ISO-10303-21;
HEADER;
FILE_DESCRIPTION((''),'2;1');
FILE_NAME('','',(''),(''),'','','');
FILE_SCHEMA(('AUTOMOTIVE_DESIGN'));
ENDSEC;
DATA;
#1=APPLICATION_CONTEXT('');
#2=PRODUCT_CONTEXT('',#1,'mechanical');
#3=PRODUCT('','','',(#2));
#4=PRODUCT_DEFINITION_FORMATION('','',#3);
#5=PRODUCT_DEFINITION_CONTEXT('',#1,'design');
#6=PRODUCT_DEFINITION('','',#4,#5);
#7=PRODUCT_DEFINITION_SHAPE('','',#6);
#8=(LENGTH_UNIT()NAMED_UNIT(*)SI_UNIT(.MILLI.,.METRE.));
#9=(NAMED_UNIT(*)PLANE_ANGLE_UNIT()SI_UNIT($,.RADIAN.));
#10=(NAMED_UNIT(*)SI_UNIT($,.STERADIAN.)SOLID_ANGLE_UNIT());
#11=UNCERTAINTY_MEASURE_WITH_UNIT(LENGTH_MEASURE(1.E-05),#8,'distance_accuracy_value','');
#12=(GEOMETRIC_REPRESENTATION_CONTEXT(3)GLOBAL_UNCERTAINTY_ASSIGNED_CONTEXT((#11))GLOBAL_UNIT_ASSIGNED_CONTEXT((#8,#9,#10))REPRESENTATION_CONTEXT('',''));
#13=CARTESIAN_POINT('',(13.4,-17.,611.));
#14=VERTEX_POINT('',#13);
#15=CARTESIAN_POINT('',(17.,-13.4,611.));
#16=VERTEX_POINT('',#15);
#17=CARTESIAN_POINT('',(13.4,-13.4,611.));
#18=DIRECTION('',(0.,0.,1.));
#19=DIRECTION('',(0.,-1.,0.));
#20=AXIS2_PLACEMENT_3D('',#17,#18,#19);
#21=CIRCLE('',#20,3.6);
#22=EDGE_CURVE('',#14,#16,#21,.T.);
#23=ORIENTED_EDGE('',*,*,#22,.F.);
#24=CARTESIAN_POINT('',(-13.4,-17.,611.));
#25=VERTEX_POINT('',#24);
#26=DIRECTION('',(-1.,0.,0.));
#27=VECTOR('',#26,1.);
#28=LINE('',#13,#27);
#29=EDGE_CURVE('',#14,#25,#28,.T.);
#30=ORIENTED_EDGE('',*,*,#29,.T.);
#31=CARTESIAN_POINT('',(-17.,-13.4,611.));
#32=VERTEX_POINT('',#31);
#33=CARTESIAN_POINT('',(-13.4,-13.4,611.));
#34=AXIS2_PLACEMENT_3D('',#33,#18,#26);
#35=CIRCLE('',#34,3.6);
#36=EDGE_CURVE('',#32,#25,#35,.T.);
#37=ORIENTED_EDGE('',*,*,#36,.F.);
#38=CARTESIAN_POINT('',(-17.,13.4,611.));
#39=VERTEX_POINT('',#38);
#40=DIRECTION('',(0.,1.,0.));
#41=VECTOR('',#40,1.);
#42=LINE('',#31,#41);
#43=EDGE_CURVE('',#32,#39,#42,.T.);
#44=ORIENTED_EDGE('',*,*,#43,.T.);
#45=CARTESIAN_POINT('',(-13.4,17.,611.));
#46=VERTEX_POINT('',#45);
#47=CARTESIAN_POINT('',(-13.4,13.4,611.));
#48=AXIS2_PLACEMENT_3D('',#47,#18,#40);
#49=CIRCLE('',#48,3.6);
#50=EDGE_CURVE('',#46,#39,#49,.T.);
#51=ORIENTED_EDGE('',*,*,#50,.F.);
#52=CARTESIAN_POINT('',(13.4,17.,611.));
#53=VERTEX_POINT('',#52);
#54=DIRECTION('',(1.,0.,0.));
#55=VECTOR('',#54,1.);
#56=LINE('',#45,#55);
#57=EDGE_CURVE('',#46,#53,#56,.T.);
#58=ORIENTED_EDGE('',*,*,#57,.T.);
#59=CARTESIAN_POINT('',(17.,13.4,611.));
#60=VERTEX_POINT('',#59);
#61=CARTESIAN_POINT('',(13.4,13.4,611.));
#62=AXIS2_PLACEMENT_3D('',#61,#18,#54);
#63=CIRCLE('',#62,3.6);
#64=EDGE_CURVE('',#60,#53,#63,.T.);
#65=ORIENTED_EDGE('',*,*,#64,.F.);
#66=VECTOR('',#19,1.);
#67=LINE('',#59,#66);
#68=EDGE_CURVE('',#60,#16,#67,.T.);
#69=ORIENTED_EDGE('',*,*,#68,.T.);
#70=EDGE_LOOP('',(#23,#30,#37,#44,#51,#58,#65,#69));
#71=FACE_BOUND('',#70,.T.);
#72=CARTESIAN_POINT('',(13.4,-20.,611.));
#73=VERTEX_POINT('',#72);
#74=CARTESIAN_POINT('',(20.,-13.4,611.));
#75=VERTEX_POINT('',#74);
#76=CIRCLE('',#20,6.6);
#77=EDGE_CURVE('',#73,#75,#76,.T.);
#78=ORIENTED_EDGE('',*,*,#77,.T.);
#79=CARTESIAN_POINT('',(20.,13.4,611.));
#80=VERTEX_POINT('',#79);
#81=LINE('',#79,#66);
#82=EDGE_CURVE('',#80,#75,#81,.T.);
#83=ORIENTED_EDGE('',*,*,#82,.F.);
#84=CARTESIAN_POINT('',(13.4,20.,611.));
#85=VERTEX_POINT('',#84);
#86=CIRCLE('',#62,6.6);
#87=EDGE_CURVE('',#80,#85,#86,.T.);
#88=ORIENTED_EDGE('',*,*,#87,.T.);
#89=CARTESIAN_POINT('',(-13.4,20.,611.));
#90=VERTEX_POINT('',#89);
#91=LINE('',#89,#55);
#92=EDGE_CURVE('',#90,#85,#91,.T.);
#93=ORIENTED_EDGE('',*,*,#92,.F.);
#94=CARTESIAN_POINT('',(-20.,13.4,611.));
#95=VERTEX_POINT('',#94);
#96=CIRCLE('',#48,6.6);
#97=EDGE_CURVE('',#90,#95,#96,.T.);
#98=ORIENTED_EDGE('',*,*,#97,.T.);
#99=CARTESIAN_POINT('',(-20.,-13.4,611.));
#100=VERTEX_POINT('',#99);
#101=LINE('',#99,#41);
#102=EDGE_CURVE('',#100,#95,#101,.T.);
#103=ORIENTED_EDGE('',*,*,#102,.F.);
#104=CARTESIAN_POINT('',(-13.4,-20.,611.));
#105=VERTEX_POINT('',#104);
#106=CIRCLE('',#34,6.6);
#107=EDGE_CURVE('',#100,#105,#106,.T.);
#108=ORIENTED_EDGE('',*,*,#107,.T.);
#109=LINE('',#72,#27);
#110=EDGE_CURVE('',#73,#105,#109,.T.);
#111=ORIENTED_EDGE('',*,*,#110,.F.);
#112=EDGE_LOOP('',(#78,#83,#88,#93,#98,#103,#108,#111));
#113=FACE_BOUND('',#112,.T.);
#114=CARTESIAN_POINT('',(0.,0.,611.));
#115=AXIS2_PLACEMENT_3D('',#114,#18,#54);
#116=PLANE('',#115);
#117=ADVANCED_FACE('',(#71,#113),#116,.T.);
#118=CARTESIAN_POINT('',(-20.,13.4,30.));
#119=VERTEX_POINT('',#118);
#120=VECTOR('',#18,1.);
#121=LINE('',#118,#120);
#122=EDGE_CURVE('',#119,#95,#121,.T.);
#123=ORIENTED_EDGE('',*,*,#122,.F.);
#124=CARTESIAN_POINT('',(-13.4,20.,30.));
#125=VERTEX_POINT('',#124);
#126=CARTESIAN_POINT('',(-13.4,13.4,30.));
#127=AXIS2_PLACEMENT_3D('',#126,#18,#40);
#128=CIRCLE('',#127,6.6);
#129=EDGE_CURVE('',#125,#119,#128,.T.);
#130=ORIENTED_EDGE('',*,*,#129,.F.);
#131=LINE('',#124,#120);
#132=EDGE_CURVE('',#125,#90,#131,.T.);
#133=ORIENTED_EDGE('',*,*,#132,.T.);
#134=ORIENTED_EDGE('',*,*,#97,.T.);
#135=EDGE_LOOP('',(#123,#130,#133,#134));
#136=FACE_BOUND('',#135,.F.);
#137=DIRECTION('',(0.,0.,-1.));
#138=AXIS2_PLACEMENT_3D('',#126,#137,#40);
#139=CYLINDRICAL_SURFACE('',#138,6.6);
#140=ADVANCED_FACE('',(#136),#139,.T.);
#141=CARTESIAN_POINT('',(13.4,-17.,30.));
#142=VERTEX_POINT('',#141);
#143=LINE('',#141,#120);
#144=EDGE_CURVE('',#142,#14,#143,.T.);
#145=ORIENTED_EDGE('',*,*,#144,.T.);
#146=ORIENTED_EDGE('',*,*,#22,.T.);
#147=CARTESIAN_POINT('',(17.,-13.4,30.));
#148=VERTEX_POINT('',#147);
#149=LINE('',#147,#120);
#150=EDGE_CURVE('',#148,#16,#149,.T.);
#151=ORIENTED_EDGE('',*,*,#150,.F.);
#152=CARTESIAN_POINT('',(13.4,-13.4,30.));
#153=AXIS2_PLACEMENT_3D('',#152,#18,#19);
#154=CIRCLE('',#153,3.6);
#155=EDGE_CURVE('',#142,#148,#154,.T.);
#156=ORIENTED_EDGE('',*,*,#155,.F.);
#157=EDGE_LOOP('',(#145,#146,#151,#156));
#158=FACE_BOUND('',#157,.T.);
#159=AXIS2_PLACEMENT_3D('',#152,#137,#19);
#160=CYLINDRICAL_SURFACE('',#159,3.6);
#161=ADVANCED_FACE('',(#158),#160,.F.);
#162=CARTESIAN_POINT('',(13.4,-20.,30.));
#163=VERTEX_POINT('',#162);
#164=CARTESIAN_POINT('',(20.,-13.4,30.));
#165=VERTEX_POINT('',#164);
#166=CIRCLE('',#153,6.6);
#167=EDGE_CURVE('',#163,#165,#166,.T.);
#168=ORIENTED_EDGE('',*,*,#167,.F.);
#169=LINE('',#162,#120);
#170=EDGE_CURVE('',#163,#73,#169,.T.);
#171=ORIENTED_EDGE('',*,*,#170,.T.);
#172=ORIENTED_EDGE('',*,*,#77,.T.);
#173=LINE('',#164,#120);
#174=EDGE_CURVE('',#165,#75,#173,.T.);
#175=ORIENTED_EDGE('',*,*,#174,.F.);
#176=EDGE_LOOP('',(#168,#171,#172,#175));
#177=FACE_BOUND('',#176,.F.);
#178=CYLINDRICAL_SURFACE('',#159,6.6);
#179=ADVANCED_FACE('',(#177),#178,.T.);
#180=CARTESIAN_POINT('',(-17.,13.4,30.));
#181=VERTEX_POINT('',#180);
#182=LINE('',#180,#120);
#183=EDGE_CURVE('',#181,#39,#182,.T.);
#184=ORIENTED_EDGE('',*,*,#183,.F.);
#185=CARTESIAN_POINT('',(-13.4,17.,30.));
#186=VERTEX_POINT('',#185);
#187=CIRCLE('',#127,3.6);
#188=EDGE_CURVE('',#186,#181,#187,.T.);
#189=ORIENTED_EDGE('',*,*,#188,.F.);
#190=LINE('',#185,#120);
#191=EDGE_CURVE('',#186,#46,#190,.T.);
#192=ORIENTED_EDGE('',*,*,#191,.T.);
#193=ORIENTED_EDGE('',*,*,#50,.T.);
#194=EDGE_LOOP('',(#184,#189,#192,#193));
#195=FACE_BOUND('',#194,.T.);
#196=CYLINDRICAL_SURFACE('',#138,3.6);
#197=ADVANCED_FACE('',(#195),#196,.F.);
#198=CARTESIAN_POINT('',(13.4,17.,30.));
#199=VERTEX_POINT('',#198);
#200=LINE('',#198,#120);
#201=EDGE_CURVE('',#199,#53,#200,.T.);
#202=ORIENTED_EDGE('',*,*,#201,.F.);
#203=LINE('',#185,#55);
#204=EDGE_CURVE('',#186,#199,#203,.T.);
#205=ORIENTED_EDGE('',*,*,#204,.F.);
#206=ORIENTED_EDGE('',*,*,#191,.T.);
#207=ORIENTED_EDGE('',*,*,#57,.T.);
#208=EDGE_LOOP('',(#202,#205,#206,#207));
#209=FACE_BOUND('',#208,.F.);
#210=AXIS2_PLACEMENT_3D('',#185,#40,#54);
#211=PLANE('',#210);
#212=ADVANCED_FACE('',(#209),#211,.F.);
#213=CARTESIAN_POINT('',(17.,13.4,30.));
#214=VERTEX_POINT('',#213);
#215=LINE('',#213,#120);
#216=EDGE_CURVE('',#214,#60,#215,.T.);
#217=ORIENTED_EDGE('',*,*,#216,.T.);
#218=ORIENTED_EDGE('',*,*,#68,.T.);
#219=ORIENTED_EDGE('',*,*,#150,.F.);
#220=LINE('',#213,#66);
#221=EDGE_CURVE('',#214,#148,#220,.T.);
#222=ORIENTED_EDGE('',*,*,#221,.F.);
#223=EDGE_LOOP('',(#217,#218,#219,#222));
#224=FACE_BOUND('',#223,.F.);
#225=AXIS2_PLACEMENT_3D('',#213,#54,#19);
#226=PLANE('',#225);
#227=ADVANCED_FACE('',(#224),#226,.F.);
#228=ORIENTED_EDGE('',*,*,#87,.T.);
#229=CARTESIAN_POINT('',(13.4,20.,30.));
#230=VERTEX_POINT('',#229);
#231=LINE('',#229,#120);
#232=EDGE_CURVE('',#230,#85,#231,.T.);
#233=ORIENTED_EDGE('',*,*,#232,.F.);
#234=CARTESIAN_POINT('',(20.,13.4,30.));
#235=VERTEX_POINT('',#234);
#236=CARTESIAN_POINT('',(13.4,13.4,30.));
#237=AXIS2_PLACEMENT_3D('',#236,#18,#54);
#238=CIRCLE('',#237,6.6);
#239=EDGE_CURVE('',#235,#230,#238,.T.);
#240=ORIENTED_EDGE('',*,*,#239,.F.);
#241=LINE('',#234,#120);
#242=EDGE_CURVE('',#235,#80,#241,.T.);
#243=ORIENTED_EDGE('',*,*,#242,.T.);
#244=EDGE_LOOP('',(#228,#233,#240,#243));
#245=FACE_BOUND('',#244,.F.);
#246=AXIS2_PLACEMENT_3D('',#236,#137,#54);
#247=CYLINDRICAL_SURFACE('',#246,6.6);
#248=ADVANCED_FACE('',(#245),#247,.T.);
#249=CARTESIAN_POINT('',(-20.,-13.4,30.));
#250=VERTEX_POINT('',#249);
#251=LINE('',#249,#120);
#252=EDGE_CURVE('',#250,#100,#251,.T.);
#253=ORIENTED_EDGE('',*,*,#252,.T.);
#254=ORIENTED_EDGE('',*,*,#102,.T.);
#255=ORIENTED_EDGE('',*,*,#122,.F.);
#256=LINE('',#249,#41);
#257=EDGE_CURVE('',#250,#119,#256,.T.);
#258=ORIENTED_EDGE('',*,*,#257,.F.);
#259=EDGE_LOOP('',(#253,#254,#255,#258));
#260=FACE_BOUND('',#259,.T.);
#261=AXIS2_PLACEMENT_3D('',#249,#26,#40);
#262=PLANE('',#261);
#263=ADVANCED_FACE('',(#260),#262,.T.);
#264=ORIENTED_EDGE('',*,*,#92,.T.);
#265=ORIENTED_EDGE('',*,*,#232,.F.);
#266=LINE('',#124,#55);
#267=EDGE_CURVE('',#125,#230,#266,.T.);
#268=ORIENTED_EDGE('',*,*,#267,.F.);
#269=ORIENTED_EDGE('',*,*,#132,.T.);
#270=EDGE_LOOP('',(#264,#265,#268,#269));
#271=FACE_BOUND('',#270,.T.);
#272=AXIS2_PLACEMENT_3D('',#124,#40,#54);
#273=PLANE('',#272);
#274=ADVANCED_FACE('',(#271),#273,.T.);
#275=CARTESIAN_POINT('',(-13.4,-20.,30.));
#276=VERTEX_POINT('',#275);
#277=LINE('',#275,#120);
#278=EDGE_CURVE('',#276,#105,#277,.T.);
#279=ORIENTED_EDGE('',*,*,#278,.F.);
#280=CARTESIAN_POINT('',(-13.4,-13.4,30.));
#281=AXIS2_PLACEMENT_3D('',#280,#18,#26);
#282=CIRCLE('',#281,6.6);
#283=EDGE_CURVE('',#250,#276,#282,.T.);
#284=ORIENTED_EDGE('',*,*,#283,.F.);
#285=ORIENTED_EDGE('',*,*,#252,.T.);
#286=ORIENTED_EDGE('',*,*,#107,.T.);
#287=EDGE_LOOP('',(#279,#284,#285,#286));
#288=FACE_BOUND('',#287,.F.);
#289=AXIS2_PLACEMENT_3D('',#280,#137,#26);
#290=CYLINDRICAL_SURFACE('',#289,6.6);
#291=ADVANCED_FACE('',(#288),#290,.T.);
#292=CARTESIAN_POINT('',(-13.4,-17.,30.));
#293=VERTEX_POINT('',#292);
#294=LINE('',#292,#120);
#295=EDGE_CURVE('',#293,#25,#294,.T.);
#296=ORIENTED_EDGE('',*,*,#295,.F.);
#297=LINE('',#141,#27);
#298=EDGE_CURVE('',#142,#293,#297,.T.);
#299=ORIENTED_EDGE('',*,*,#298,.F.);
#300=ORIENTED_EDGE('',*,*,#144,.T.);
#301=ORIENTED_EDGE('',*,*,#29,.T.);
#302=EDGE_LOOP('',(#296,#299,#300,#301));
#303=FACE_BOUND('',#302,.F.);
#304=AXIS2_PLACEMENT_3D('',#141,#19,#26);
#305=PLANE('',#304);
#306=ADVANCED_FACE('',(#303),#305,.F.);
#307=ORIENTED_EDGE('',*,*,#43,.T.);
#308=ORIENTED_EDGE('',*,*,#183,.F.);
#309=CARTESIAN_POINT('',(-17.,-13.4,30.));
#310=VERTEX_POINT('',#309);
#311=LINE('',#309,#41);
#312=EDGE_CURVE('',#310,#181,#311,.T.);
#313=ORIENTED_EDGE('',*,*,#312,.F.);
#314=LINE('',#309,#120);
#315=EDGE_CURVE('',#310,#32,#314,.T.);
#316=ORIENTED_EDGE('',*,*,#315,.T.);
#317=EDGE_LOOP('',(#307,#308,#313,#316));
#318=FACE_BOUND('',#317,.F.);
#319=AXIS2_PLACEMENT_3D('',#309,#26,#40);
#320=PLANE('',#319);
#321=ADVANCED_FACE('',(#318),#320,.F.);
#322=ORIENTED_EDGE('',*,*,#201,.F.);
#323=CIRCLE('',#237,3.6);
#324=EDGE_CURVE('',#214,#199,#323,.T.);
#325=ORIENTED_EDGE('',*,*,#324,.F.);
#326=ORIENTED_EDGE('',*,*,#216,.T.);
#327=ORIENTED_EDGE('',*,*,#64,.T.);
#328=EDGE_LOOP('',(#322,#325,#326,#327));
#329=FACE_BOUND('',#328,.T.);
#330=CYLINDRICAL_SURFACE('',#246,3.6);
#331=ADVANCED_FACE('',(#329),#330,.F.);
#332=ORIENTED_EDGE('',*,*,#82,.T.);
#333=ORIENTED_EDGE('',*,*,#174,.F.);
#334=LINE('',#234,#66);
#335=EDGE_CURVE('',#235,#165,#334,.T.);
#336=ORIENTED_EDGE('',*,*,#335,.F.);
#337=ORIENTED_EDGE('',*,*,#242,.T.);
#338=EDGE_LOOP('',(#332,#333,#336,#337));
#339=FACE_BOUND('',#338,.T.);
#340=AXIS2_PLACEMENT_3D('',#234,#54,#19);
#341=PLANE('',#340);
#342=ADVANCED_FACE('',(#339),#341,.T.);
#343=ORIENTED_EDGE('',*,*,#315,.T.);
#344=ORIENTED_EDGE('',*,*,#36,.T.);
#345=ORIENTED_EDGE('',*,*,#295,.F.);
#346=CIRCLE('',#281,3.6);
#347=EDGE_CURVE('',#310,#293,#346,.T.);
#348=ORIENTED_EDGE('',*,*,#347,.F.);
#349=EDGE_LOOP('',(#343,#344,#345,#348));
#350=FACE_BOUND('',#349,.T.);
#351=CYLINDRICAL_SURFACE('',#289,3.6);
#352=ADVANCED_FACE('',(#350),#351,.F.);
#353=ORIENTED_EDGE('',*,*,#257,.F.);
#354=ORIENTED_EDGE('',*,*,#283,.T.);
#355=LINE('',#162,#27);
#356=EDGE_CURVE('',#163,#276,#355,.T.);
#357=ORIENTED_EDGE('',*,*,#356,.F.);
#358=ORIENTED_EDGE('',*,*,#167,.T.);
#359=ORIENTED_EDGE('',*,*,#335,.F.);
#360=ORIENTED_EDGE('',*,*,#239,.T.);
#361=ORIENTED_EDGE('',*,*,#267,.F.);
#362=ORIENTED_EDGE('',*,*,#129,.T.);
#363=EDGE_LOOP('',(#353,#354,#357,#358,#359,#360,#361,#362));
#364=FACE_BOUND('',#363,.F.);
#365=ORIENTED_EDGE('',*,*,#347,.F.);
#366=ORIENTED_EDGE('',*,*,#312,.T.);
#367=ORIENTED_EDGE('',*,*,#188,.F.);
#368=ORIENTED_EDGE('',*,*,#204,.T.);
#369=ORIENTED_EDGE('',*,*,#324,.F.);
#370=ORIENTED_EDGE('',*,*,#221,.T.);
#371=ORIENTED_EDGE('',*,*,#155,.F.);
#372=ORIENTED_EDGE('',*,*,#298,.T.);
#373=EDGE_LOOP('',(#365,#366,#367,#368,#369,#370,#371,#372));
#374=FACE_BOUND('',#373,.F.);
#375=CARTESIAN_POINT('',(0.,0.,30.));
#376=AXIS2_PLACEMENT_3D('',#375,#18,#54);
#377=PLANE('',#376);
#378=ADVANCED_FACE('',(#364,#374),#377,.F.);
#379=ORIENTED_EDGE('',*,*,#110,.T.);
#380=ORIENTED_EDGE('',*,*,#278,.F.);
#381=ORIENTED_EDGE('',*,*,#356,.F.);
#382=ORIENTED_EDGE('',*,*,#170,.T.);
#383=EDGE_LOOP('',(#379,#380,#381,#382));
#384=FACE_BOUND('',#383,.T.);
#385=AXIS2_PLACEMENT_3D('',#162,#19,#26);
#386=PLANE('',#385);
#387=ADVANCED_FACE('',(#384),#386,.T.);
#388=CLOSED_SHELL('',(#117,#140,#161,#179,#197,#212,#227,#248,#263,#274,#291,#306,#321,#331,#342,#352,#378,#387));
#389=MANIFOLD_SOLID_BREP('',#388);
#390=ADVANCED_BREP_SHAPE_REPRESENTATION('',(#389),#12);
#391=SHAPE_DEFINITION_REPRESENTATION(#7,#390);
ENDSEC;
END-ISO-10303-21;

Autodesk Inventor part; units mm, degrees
ref_plane "Start plane" through (0, 0, 30) normal (0, 0, 1) x (1, 0, 0)
ref_plane "End plane" through (0, 0, 611) normal (0, 0, 1) x (1, 0, 0)
sketch "Sketch" plane through (0, 0, 0) normal (0, 0, 1) x (1, 0, 0)
  line L0 (-20, -13.4) -> (-20, 13.4)
  line L1 (-13.4, 20) -> (13.4, 20)
  line L2 (20, 13.4) -> (20, -13.4)
  line L3 (13.4, -20) -> (-13.4, -20)
  arc A0 (-20, -13.4) -> (-13.4, -20) centre (-13.4, -13.4) ccw
  arc A1 (-13.4, 20) -> (-20, 13.4) centre (-13.4, 13.4) ccw
  arc A2 (20, 13.4) -> (13.4, 20) centre (13.4, 13.4) ccw
  arc A3 (13.4, -20) -> (20, -13.4) centre (13.4, -13.4) ccw
  arc A4 (-13.4, 17) -> (-17, 13.4) centre (-13.4, 13.4) ccw
  line L4 (-13.4, 17) -> (13.4, 17)
  arc A5 (17, 13.4) -> (13.4, 17) centre (13.4, 13.4) ccw
  line L5 (17, 13.4) -> (17, -13.4)
  arc A6 (13.4, -17) -> (17, -13.4) centre (13.4, -13.4) ccw
  line L6 (13.4, -17) -> (-13.4, -17)
  arc A7 (-17, -13.4) -> (-13.4, -17) centre (-13.4, -13.4) ccw
  line L7 (-17, -13.4) -> (-17, 13.4)
  line L8 (0, 29.9137) -> (0, -29.9137) construction
  line L9 (-29.9137, 0) -> (29.9137, 0) construction
  dimension "d7" = 6.6
  dimension "d10" = 40
  dimension "d11" = 40
  dimension "d12" = 3
  dimension "d15" = 20
  dimension "d16" = 20
extrude "Body" add sketch "Sketch" along normal up to surface (581 mm away) from surface at 30
sketch "Sketch3" plane through (0, 0, 0) normal (0, 0, 1) x (1, 0, 0)
  line L0 (0, 0) -> (10, 0)
ref_plane "Work Plane3" through (0, 0, 0) normal (0, -1, 0) x (1, 0, 0)
sketch "Sketch4" plane through (0, 0, 0) normal (0, -1, 0) x (1, 0, 0)
  line L0 (-2, 30) -> (12, 30)
  line L1 (-2, 611) -> (12, 611)
  dimension "d18" = 581
ref_plane "Work Plane5" through (1238.8, 45, 30) normal (0, 0, -1) x (-1, 0, 0)
split "Split2" plane through (1238.8, 45, 30) removes the side toward (0, 0, -1)
ref_plane "Work Plane6" through (1302, -13.4, 611) normal (0, 0, 1) x (1, 0, 0)
split "Split3" plane through (1302, -13.4, 611) removes the side toward (0, 0, 1)
equation "\"d7\" = G_IR"
equation "\"d10\" = G_H"
equation "\"d11\" = G_W"
equation "\"d12\" = G_T"
equation "\"d15\" = 0.5 * d10"
equation "\"d16\" = 0.5 * d11"
equation "\"d3\" = G_L"
equation "\"G_W\" = 40"
equation "\"G_H\" = 40"
equation "\"G_T\" = 3"
equation "\"G_IR\" = 6.6"
equation "\"G_L\" = d18"
equation "\"d14\" = G_OFFSET_END + B_L"
equation "\"B_L\" = 651"
equation "\"G_OFFSET_END\" = -40"
properties part number "DIN EN 10305-5 - 40 x 40 x 3  - 581" material "Steel, Mild"
